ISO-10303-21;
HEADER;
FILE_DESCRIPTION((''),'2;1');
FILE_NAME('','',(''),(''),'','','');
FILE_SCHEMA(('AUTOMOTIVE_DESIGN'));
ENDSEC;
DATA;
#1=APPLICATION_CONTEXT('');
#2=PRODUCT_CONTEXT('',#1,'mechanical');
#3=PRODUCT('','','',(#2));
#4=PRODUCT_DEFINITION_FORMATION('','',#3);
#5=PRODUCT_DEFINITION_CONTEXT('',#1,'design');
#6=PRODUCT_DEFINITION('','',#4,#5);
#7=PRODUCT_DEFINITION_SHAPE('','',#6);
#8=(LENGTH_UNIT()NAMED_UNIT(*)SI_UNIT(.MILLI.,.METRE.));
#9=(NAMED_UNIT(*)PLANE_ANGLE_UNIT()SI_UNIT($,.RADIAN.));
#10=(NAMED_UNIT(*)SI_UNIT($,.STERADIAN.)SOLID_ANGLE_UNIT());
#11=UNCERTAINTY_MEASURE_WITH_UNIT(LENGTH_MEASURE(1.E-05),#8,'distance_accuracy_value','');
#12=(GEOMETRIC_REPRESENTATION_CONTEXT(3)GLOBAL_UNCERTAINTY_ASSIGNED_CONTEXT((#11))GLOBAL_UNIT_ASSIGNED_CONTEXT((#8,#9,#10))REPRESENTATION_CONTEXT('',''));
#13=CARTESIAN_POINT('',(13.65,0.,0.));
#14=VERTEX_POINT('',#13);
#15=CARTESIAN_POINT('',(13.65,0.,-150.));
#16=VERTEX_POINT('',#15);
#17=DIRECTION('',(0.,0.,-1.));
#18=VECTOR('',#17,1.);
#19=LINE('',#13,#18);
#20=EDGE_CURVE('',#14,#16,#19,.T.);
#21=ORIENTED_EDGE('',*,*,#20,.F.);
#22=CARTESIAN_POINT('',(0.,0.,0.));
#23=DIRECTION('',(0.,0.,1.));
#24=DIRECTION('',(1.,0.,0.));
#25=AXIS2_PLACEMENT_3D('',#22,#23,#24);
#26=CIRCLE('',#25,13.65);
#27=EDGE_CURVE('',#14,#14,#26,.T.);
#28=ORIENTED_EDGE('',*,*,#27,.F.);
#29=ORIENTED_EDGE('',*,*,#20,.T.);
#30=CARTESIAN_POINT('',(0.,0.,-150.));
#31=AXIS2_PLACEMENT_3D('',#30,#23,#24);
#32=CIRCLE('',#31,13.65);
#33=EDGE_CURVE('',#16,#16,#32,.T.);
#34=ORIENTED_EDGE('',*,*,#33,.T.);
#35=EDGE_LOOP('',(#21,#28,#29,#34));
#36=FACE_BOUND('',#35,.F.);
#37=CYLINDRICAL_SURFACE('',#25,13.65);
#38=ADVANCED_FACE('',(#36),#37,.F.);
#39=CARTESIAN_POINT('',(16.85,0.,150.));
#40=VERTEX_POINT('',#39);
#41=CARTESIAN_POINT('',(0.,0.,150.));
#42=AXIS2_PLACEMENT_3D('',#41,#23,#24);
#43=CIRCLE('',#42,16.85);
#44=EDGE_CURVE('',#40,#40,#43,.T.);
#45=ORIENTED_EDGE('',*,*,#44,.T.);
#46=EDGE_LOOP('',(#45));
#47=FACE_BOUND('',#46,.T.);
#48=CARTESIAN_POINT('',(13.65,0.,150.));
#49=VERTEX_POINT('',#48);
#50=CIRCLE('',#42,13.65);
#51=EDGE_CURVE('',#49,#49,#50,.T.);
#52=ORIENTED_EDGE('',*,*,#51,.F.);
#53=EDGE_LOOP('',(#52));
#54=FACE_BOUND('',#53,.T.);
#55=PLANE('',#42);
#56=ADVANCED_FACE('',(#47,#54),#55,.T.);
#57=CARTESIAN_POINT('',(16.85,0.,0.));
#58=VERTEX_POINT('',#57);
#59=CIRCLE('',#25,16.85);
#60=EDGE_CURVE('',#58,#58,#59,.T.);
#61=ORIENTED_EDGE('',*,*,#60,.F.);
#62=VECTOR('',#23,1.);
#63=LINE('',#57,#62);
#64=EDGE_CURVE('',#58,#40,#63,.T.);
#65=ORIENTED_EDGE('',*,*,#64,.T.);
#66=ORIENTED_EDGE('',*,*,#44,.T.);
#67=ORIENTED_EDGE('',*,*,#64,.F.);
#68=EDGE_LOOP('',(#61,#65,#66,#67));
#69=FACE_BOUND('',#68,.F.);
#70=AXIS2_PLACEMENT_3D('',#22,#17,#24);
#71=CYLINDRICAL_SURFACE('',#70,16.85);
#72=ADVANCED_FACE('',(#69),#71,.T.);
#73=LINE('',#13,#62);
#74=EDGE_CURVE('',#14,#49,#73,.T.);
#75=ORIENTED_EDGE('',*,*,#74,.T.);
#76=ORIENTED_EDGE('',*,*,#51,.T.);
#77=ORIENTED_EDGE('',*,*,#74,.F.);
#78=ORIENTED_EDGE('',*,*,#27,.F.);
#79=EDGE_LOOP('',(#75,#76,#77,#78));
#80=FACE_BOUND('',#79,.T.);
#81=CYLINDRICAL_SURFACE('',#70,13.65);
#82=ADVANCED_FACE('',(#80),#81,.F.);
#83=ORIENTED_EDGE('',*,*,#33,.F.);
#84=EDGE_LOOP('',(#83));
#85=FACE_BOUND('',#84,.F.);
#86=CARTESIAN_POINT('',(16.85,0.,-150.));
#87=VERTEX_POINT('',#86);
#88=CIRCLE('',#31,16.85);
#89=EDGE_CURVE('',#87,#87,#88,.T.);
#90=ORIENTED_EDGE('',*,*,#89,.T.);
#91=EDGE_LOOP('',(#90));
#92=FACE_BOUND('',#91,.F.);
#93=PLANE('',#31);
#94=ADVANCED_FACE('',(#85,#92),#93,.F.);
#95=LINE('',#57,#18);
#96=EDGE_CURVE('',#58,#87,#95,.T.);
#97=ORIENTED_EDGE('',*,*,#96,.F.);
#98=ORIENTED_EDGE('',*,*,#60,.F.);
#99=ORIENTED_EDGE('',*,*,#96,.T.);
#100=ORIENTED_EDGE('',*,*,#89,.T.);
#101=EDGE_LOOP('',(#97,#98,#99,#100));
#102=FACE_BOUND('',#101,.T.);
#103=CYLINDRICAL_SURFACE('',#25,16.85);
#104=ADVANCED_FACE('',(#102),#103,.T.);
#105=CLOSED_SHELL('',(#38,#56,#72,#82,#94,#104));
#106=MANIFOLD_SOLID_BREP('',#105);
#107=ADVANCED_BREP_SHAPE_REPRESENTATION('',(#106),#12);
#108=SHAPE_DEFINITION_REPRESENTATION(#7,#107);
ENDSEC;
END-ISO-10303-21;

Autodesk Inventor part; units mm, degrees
ref_plane "YZ Plane" through (0, 0, 0) normal (1, 0, 0) x (0, 1, 0)
ref_plane "XZ Plane" through (0, 0, 0) normal (0, 1, 0) x (-1, 0, 0)
ref_plane "XY Plane" through (0, 0, 0) normal (0, 0, 1) x (1, 0, 0)
sketch "Sketch1" plane through (0, 0, 0) normal (0, 0, 1) x (1, 0, 0)
  circle A0 centre (0, 0) radius 16.85
  circle A1 centre (0, 0) radius 13.65
  dimension "OD" = 33.7
  dimension "t" = 3.2
extrude "Extrusion1" add sketch "Sketch1" along normal mid plane 300
equation "\"size\" = 6"
properties part number "CS" material "Aluminium 6082 T6"
